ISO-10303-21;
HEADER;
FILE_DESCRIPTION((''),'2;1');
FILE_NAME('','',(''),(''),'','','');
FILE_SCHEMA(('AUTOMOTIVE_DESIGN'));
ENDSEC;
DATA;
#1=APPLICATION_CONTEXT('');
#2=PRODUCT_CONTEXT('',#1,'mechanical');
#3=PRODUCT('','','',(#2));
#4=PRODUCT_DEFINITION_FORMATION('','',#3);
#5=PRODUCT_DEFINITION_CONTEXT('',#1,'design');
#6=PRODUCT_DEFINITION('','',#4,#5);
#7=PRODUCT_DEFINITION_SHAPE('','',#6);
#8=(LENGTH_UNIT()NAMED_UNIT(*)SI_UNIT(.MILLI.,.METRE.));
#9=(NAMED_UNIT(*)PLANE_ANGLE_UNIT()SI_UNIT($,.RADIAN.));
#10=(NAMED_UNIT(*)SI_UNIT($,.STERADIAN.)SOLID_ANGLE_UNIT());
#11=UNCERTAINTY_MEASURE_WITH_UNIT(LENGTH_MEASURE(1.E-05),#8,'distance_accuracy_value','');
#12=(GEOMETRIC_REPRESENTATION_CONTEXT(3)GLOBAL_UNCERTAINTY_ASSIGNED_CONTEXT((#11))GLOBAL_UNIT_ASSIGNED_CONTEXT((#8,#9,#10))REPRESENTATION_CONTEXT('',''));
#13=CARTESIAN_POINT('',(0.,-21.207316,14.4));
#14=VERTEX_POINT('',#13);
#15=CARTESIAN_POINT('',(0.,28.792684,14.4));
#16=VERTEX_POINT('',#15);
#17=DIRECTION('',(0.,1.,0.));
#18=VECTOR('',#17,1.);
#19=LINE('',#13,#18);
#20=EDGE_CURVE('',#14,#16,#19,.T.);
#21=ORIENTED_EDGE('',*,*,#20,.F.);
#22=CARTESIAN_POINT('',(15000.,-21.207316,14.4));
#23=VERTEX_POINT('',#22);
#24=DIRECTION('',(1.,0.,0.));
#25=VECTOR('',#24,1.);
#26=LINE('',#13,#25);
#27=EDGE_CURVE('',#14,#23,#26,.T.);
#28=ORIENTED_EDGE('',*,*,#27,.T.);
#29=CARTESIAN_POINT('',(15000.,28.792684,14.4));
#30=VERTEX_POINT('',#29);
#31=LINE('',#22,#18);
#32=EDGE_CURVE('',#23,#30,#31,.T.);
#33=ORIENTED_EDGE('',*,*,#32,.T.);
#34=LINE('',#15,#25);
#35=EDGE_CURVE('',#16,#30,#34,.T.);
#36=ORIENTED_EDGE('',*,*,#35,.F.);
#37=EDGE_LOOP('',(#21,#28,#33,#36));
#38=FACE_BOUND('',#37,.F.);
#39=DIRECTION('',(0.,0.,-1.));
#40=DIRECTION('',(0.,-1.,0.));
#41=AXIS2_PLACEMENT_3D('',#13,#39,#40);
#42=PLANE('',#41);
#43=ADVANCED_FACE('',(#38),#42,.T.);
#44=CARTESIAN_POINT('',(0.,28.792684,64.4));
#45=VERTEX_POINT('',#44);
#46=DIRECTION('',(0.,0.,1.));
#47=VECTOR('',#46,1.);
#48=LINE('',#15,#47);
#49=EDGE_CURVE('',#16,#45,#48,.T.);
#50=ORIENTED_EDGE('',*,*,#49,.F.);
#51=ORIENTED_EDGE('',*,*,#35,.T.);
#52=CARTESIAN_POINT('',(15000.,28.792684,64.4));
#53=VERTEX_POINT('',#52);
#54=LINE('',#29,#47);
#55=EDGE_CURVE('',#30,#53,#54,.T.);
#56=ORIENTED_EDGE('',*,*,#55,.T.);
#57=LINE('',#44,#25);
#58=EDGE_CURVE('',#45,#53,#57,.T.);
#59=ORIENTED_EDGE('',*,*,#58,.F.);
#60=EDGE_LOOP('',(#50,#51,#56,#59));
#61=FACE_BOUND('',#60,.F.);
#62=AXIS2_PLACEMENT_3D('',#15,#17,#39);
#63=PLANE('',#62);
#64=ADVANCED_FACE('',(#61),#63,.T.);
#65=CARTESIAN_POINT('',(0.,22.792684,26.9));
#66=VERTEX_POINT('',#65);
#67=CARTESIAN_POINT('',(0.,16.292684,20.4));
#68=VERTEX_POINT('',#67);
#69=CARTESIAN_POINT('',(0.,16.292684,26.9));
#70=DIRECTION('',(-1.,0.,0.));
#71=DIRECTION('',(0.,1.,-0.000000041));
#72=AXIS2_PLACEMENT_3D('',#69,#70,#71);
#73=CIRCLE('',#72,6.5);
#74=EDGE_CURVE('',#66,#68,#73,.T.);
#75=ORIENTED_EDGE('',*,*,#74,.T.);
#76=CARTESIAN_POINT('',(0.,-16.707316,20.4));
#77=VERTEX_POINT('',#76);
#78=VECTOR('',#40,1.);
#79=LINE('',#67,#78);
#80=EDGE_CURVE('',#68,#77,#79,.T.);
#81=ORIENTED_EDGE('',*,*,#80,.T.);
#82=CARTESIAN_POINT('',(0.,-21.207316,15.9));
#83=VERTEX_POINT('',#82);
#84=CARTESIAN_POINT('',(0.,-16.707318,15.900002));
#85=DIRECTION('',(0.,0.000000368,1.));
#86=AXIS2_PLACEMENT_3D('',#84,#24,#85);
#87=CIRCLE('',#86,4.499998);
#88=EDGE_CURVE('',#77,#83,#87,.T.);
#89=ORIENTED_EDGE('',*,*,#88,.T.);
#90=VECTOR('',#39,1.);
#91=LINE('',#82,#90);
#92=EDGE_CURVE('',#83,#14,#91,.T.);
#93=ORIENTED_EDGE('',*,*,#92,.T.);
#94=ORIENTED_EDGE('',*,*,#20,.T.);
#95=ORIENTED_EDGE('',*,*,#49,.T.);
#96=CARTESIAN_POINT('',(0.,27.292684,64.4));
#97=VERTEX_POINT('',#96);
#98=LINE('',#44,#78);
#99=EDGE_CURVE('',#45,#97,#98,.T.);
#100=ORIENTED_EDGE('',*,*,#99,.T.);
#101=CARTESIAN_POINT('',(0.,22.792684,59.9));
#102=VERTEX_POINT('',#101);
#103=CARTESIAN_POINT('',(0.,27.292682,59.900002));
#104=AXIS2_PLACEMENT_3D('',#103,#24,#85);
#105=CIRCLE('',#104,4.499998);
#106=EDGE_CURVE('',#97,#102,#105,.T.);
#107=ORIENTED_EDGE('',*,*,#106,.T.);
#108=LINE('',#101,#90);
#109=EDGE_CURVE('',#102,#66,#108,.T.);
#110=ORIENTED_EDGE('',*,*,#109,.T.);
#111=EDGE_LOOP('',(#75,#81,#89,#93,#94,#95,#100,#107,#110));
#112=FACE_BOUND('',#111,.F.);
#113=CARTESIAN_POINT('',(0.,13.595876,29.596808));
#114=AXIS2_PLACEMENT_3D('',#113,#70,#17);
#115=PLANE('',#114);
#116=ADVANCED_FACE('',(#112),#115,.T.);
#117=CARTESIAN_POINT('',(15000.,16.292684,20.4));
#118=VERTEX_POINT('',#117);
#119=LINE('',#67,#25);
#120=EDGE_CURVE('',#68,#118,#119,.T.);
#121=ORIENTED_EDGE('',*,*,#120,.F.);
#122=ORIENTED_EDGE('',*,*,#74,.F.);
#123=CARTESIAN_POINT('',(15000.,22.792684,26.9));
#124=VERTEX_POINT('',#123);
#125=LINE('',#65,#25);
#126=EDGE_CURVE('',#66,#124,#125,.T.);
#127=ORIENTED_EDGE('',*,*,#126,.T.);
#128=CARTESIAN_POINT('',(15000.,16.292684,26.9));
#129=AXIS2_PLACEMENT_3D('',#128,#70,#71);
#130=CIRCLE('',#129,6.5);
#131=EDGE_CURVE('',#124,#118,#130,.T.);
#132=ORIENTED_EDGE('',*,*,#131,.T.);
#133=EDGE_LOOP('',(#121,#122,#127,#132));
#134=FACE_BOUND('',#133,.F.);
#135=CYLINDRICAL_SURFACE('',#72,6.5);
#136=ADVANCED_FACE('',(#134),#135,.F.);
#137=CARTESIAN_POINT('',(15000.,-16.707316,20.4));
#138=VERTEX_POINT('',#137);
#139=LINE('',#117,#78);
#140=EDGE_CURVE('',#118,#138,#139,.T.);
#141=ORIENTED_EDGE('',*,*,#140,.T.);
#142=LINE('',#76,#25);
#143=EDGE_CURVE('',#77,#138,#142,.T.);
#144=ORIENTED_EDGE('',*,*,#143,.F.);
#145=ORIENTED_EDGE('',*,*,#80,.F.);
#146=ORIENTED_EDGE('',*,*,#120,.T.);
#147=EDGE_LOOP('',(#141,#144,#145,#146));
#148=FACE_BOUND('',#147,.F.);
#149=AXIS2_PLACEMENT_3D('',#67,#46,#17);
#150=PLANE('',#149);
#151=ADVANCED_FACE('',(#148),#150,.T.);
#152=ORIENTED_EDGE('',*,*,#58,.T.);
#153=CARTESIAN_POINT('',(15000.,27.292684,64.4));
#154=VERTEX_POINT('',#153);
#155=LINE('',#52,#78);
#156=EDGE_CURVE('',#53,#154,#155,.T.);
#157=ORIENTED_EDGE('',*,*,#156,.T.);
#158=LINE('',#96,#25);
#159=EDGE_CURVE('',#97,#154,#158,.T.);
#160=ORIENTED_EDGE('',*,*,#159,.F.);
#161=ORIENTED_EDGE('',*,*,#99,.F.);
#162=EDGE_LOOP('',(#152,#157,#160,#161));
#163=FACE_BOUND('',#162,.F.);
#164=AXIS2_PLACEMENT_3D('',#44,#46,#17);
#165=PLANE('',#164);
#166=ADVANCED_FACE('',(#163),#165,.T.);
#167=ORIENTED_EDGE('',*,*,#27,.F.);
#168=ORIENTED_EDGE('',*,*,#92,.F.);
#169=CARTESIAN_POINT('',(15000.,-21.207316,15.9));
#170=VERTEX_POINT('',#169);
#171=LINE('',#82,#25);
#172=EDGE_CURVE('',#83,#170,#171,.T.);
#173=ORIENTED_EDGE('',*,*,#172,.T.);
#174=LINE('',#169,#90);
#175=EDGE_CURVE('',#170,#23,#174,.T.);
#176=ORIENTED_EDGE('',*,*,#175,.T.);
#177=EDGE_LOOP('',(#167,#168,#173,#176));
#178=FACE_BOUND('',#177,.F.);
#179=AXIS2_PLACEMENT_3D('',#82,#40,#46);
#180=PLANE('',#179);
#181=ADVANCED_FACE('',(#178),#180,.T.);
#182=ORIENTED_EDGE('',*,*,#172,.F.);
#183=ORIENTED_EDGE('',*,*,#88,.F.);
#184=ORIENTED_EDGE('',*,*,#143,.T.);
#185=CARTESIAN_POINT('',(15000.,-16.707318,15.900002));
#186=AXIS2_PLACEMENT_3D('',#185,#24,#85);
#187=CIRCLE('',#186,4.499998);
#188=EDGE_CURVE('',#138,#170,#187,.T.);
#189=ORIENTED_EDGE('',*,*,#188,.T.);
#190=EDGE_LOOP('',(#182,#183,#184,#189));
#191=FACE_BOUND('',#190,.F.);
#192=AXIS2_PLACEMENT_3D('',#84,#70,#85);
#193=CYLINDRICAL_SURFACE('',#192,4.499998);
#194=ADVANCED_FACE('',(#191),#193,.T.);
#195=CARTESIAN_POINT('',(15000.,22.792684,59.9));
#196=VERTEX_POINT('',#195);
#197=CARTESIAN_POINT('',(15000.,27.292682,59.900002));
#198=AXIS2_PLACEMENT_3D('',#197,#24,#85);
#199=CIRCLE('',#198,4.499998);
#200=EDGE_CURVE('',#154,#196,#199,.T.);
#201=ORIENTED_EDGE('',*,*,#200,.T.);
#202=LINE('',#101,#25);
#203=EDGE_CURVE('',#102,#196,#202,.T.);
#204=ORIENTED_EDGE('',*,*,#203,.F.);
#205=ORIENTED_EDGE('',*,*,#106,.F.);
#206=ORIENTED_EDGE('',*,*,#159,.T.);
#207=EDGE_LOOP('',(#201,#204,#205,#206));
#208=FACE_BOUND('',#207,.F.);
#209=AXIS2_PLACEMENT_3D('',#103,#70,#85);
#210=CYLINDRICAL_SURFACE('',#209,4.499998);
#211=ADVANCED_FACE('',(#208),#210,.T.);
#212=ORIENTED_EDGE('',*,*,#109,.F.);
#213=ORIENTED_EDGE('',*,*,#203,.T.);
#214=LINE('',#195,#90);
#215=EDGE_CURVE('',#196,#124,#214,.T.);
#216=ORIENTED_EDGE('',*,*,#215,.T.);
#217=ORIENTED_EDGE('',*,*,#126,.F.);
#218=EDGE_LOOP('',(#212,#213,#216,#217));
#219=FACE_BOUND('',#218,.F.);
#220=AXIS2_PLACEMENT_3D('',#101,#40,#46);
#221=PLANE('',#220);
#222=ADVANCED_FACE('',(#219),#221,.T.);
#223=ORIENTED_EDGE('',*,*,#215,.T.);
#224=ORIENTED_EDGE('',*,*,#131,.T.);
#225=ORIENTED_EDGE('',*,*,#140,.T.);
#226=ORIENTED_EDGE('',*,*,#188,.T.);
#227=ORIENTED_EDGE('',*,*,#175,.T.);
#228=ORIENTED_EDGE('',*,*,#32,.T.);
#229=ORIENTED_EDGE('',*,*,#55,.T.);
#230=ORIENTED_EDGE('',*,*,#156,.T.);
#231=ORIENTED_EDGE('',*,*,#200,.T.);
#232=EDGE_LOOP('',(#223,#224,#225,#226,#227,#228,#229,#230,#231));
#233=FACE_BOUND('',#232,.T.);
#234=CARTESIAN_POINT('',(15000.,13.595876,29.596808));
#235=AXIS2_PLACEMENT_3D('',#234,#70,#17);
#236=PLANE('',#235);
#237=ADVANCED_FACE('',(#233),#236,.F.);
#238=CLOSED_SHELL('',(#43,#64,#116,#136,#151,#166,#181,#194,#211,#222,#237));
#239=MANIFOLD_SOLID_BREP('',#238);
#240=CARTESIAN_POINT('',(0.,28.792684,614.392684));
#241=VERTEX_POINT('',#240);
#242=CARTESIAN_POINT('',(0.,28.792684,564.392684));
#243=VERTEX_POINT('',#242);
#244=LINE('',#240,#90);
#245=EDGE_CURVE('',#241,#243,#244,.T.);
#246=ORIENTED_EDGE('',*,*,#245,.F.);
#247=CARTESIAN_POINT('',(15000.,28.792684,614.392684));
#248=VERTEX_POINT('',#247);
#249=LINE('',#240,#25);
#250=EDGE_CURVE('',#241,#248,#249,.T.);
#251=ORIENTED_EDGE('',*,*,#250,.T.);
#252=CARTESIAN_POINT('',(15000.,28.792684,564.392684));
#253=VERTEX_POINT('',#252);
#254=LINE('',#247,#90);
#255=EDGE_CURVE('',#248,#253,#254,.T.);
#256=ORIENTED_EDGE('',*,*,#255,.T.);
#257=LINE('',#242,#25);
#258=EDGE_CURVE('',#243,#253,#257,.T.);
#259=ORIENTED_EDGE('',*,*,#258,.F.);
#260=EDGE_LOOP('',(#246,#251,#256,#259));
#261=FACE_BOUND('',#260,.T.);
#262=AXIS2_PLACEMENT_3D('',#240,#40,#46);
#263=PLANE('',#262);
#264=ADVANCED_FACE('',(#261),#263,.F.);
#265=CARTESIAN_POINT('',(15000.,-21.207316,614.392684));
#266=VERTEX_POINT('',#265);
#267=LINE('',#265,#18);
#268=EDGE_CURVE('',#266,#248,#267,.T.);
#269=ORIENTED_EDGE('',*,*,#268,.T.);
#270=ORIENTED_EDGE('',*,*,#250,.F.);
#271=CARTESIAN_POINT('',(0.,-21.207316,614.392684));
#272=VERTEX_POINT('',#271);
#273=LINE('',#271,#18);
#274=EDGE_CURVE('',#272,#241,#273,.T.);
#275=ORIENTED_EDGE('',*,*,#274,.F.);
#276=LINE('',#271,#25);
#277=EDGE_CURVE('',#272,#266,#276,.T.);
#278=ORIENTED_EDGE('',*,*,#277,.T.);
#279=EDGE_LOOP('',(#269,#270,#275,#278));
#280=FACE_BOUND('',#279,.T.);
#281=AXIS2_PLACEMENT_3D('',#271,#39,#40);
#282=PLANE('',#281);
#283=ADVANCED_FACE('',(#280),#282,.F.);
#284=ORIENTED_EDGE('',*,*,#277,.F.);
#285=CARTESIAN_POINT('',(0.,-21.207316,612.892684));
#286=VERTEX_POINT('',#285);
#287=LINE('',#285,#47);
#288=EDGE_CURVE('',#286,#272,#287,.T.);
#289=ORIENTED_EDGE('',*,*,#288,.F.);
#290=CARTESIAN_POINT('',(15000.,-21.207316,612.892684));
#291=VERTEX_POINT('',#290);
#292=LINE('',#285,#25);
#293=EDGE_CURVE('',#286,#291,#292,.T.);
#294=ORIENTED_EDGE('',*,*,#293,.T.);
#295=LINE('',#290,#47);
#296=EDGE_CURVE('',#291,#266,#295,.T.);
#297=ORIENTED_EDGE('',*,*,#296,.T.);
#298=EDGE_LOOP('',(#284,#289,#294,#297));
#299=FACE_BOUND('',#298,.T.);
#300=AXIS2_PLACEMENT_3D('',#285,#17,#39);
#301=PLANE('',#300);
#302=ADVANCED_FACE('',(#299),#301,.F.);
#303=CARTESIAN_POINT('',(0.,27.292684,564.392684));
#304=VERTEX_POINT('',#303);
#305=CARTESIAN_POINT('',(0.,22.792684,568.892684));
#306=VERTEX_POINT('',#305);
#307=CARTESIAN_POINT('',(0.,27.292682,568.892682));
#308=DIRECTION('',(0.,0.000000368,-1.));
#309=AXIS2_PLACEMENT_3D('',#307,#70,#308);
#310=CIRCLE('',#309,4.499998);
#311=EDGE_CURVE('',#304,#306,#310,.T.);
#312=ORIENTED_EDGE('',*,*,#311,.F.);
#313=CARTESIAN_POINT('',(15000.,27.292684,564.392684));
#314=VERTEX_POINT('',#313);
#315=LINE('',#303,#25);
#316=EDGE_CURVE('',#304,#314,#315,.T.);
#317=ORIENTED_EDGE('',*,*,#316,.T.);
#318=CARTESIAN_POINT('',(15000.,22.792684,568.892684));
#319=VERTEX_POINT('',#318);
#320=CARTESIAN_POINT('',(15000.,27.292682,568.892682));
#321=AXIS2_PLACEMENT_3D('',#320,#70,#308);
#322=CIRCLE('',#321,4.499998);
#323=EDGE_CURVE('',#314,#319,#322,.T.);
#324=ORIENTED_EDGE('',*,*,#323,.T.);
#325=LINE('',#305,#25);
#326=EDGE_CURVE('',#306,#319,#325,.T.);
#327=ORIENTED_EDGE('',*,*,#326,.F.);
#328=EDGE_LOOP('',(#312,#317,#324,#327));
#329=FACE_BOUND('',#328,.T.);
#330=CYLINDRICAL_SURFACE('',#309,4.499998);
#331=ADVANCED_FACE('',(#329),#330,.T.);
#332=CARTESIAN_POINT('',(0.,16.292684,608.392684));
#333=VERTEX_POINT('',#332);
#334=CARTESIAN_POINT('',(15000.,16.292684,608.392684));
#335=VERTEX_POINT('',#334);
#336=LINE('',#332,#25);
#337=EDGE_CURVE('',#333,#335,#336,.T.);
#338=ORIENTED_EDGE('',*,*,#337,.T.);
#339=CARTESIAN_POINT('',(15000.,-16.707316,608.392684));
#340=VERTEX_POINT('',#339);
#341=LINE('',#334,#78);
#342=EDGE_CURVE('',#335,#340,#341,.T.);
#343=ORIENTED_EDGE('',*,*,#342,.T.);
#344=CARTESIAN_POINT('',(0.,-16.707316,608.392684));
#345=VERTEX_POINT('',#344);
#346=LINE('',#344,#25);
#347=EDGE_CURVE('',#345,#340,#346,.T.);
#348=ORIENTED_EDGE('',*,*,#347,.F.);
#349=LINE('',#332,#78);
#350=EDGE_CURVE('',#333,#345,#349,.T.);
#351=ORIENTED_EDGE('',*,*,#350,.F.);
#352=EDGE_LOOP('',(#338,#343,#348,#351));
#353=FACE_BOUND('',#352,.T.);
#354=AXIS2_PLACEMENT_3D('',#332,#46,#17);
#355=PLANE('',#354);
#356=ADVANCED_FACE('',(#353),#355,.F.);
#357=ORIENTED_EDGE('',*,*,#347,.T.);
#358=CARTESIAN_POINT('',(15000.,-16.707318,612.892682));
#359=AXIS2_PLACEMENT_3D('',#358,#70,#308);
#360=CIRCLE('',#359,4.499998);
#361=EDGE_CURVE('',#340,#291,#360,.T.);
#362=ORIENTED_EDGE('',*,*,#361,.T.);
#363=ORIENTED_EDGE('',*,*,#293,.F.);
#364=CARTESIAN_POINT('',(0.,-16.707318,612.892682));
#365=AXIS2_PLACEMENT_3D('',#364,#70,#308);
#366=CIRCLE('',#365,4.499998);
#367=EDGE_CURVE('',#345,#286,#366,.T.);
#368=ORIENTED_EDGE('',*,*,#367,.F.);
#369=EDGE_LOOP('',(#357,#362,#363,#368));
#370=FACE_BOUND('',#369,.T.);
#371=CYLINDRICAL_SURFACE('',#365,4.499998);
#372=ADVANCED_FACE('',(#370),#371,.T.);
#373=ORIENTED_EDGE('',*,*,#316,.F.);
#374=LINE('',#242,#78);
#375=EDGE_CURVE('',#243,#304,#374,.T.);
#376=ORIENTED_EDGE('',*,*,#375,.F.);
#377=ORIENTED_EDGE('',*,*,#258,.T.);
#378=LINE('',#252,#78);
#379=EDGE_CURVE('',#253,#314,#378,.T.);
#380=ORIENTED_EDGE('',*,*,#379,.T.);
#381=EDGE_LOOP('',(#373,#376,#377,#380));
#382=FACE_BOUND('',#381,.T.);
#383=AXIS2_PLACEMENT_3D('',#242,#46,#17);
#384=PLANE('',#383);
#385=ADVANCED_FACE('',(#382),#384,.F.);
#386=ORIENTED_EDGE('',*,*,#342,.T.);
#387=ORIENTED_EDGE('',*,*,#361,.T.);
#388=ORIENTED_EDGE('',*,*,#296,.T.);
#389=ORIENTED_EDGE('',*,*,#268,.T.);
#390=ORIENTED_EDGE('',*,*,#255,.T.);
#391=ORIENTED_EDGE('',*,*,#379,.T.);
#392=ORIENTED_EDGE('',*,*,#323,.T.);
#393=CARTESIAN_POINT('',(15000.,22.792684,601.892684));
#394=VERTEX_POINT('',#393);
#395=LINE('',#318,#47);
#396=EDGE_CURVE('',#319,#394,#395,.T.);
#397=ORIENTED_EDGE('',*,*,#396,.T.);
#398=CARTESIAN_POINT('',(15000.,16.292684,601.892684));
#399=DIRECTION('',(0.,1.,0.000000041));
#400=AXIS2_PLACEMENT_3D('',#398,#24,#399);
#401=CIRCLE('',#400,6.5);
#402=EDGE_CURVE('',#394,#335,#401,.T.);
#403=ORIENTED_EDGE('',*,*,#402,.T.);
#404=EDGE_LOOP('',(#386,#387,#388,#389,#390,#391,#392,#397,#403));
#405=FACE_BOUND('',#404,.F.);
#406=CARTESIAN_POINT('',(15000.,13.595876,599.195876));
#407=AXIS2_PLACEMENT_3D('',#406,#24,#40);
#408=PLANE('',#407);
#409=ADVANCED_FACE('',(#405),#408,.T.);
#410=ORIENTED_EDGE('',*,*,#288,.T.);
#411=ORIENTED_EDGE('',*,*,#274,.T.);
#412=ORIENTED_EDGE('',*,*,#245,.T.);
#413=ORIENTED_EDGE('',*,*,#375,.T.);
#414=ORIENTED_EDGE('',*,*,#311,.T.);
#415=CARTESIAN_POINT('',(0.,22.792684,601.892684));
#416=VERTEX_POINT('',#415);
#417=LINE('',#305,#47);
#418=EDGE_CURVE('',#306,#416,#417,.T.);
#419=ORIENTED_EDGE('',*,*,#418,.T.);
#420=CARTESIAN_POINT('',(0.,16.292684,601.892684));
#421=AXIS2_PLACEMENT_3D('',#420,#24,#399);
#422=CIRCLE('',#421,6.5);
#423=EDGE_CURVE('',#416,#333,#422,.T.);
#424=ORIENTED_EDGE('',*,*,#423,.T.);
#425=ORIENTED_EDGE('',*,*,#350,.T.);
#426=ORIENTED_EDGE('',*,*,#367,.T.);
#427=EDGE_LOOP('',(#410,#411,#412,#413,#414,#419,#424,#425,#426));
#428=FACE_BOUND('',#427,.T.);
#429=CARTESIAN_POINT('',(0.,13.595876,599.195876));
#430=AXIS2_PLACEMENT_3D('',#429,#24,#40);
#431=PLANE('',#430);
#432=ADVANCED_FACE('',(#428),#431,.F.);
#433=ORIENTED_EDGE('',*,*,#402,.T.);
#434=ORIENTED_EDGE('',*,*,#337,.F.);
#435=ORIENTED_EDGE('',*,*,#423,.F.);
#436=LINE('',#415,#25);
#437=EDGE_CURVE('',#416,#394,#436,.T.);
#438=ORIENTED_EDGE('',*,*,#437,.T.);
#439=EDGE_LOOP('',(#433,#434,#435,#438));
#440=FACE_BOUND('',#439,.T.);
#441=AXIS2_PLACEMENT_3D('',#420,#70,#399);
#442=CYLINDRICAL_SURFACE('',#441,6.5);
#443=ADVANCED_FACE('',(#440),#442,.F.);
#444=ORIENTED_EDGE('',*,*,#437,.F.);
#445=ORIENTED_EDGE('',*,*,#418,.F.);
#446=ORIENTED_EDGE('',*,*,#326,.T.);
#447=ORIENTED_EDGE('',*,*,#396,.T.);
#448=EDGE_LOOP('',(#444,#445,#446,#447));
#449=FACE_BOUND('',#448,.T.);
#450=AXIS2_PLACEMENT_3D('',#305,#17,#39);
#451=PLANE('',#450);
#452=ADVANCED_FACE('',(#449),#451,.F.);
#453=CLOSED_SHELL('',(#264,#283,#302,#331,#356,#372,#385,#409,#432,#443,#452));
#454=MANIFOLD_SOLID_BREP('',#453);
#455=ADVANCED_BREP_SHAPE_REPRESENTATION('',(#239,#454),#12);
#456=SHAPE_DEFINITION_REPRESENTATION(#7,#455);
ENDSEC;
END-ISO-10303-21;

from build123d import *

# Parameters (mm, degrees)
EXTRUDE017_DEPTH = 15000
EXTRUDE018_DEPTH = 15000


with BuildPart() as extrude017:
    # AngleSteel005 → Extrude017 (new body)
    with BuildSketch(Plane(origin=(0, 43.196342, 28.796342), x_dir=(0, 1, 0), z_dir=(-1, 0, 0))):
        with BuildLine():
            Line((-14.396342, 14.396342), (-14.396342, -35.603658))
            Line((-14.396342, -35.603658), (-12.896342, -35.603658))
            ThreePointArc((-12.896342, -35.603658), (-9.714361, -34.285639), (-8.396342, -31.103658))
            Line((-8.396342, -31.103658), (-8.396342, 1.896342))
            ThreePointArc((-8.396342, 1.896342), (-6.492536, 6.492536), (-1.896342, 8.396342))
            Line((-1.896342, 8.396342), (31.103658, 8.396342))
            ThreePointArc((31.103658, 8.396342), (34.285639, 9.714361), (35.603658, 12.896342))
            Line((35.603658, 12.896342), (35.603658, 14.396342))
            Line((35.603658, 14.396342), (-14.396342, 14.396342))
        make_face()
    extrude(amount=-EXTRUDE017_DEPTH)


with BuildPart() as fusion001:
    # Mirror011 → Extrude018 (new body)
    with BuildSketch(Plane(origin=(0, 43.196342, 599.996342), x_dir=(0, -1, 0), z_dir=(1, 0, 0))):
        with BuildLine():
            Line((14.396342, -14.396342), (14.396342, 35.603658))
            Line((14.396342, 35.603658), (12.896342, 35.603658))
            ThreePointArc((12.896342, 35.603658), (9.714361, 34.285639), (8.396342, 31.103658))
            Line((8.396342, 31.103658), (8.396342, -1.896342))
            ThreePointArc((8.396342, -1.896342), (6.492536, -6.492536), (1.896342, -8.396342))
            Line((1.896342, -8.396342), (-31.103658, -8.396342))
            ThreePointArc((-31.103658, -8.396342), (-34.285639, -9.714361), (-35.603658, -12.896342))
            Line((-35.603658, -12.896342), (-35.603658, -14.396342))
            Line((-35.603658, -14.396342), (14.396342, -14.396342))
        make_face()
    extrude(amount=EXTRUDE018_DEPTH)

    # Fusion001: union Extrude017
    add(extrude017.part)


with BuildPart() as fusion_mirrored:
    # Mirror001: instance of Fusion001
    add(fusion001.part.mirror(Plane(origin=(0, 28.796342, 514.396342), x_dir=(-1, 0, 0), z_dir=(0, -1, 0))))


with BuildPart() as fusion_mirrored_1:
    # Mirror001 placement: moved
    add(fusion_mirrored.part.moved(Location((0, -6, 0))))


solid = fusion_mirrored_1.part
